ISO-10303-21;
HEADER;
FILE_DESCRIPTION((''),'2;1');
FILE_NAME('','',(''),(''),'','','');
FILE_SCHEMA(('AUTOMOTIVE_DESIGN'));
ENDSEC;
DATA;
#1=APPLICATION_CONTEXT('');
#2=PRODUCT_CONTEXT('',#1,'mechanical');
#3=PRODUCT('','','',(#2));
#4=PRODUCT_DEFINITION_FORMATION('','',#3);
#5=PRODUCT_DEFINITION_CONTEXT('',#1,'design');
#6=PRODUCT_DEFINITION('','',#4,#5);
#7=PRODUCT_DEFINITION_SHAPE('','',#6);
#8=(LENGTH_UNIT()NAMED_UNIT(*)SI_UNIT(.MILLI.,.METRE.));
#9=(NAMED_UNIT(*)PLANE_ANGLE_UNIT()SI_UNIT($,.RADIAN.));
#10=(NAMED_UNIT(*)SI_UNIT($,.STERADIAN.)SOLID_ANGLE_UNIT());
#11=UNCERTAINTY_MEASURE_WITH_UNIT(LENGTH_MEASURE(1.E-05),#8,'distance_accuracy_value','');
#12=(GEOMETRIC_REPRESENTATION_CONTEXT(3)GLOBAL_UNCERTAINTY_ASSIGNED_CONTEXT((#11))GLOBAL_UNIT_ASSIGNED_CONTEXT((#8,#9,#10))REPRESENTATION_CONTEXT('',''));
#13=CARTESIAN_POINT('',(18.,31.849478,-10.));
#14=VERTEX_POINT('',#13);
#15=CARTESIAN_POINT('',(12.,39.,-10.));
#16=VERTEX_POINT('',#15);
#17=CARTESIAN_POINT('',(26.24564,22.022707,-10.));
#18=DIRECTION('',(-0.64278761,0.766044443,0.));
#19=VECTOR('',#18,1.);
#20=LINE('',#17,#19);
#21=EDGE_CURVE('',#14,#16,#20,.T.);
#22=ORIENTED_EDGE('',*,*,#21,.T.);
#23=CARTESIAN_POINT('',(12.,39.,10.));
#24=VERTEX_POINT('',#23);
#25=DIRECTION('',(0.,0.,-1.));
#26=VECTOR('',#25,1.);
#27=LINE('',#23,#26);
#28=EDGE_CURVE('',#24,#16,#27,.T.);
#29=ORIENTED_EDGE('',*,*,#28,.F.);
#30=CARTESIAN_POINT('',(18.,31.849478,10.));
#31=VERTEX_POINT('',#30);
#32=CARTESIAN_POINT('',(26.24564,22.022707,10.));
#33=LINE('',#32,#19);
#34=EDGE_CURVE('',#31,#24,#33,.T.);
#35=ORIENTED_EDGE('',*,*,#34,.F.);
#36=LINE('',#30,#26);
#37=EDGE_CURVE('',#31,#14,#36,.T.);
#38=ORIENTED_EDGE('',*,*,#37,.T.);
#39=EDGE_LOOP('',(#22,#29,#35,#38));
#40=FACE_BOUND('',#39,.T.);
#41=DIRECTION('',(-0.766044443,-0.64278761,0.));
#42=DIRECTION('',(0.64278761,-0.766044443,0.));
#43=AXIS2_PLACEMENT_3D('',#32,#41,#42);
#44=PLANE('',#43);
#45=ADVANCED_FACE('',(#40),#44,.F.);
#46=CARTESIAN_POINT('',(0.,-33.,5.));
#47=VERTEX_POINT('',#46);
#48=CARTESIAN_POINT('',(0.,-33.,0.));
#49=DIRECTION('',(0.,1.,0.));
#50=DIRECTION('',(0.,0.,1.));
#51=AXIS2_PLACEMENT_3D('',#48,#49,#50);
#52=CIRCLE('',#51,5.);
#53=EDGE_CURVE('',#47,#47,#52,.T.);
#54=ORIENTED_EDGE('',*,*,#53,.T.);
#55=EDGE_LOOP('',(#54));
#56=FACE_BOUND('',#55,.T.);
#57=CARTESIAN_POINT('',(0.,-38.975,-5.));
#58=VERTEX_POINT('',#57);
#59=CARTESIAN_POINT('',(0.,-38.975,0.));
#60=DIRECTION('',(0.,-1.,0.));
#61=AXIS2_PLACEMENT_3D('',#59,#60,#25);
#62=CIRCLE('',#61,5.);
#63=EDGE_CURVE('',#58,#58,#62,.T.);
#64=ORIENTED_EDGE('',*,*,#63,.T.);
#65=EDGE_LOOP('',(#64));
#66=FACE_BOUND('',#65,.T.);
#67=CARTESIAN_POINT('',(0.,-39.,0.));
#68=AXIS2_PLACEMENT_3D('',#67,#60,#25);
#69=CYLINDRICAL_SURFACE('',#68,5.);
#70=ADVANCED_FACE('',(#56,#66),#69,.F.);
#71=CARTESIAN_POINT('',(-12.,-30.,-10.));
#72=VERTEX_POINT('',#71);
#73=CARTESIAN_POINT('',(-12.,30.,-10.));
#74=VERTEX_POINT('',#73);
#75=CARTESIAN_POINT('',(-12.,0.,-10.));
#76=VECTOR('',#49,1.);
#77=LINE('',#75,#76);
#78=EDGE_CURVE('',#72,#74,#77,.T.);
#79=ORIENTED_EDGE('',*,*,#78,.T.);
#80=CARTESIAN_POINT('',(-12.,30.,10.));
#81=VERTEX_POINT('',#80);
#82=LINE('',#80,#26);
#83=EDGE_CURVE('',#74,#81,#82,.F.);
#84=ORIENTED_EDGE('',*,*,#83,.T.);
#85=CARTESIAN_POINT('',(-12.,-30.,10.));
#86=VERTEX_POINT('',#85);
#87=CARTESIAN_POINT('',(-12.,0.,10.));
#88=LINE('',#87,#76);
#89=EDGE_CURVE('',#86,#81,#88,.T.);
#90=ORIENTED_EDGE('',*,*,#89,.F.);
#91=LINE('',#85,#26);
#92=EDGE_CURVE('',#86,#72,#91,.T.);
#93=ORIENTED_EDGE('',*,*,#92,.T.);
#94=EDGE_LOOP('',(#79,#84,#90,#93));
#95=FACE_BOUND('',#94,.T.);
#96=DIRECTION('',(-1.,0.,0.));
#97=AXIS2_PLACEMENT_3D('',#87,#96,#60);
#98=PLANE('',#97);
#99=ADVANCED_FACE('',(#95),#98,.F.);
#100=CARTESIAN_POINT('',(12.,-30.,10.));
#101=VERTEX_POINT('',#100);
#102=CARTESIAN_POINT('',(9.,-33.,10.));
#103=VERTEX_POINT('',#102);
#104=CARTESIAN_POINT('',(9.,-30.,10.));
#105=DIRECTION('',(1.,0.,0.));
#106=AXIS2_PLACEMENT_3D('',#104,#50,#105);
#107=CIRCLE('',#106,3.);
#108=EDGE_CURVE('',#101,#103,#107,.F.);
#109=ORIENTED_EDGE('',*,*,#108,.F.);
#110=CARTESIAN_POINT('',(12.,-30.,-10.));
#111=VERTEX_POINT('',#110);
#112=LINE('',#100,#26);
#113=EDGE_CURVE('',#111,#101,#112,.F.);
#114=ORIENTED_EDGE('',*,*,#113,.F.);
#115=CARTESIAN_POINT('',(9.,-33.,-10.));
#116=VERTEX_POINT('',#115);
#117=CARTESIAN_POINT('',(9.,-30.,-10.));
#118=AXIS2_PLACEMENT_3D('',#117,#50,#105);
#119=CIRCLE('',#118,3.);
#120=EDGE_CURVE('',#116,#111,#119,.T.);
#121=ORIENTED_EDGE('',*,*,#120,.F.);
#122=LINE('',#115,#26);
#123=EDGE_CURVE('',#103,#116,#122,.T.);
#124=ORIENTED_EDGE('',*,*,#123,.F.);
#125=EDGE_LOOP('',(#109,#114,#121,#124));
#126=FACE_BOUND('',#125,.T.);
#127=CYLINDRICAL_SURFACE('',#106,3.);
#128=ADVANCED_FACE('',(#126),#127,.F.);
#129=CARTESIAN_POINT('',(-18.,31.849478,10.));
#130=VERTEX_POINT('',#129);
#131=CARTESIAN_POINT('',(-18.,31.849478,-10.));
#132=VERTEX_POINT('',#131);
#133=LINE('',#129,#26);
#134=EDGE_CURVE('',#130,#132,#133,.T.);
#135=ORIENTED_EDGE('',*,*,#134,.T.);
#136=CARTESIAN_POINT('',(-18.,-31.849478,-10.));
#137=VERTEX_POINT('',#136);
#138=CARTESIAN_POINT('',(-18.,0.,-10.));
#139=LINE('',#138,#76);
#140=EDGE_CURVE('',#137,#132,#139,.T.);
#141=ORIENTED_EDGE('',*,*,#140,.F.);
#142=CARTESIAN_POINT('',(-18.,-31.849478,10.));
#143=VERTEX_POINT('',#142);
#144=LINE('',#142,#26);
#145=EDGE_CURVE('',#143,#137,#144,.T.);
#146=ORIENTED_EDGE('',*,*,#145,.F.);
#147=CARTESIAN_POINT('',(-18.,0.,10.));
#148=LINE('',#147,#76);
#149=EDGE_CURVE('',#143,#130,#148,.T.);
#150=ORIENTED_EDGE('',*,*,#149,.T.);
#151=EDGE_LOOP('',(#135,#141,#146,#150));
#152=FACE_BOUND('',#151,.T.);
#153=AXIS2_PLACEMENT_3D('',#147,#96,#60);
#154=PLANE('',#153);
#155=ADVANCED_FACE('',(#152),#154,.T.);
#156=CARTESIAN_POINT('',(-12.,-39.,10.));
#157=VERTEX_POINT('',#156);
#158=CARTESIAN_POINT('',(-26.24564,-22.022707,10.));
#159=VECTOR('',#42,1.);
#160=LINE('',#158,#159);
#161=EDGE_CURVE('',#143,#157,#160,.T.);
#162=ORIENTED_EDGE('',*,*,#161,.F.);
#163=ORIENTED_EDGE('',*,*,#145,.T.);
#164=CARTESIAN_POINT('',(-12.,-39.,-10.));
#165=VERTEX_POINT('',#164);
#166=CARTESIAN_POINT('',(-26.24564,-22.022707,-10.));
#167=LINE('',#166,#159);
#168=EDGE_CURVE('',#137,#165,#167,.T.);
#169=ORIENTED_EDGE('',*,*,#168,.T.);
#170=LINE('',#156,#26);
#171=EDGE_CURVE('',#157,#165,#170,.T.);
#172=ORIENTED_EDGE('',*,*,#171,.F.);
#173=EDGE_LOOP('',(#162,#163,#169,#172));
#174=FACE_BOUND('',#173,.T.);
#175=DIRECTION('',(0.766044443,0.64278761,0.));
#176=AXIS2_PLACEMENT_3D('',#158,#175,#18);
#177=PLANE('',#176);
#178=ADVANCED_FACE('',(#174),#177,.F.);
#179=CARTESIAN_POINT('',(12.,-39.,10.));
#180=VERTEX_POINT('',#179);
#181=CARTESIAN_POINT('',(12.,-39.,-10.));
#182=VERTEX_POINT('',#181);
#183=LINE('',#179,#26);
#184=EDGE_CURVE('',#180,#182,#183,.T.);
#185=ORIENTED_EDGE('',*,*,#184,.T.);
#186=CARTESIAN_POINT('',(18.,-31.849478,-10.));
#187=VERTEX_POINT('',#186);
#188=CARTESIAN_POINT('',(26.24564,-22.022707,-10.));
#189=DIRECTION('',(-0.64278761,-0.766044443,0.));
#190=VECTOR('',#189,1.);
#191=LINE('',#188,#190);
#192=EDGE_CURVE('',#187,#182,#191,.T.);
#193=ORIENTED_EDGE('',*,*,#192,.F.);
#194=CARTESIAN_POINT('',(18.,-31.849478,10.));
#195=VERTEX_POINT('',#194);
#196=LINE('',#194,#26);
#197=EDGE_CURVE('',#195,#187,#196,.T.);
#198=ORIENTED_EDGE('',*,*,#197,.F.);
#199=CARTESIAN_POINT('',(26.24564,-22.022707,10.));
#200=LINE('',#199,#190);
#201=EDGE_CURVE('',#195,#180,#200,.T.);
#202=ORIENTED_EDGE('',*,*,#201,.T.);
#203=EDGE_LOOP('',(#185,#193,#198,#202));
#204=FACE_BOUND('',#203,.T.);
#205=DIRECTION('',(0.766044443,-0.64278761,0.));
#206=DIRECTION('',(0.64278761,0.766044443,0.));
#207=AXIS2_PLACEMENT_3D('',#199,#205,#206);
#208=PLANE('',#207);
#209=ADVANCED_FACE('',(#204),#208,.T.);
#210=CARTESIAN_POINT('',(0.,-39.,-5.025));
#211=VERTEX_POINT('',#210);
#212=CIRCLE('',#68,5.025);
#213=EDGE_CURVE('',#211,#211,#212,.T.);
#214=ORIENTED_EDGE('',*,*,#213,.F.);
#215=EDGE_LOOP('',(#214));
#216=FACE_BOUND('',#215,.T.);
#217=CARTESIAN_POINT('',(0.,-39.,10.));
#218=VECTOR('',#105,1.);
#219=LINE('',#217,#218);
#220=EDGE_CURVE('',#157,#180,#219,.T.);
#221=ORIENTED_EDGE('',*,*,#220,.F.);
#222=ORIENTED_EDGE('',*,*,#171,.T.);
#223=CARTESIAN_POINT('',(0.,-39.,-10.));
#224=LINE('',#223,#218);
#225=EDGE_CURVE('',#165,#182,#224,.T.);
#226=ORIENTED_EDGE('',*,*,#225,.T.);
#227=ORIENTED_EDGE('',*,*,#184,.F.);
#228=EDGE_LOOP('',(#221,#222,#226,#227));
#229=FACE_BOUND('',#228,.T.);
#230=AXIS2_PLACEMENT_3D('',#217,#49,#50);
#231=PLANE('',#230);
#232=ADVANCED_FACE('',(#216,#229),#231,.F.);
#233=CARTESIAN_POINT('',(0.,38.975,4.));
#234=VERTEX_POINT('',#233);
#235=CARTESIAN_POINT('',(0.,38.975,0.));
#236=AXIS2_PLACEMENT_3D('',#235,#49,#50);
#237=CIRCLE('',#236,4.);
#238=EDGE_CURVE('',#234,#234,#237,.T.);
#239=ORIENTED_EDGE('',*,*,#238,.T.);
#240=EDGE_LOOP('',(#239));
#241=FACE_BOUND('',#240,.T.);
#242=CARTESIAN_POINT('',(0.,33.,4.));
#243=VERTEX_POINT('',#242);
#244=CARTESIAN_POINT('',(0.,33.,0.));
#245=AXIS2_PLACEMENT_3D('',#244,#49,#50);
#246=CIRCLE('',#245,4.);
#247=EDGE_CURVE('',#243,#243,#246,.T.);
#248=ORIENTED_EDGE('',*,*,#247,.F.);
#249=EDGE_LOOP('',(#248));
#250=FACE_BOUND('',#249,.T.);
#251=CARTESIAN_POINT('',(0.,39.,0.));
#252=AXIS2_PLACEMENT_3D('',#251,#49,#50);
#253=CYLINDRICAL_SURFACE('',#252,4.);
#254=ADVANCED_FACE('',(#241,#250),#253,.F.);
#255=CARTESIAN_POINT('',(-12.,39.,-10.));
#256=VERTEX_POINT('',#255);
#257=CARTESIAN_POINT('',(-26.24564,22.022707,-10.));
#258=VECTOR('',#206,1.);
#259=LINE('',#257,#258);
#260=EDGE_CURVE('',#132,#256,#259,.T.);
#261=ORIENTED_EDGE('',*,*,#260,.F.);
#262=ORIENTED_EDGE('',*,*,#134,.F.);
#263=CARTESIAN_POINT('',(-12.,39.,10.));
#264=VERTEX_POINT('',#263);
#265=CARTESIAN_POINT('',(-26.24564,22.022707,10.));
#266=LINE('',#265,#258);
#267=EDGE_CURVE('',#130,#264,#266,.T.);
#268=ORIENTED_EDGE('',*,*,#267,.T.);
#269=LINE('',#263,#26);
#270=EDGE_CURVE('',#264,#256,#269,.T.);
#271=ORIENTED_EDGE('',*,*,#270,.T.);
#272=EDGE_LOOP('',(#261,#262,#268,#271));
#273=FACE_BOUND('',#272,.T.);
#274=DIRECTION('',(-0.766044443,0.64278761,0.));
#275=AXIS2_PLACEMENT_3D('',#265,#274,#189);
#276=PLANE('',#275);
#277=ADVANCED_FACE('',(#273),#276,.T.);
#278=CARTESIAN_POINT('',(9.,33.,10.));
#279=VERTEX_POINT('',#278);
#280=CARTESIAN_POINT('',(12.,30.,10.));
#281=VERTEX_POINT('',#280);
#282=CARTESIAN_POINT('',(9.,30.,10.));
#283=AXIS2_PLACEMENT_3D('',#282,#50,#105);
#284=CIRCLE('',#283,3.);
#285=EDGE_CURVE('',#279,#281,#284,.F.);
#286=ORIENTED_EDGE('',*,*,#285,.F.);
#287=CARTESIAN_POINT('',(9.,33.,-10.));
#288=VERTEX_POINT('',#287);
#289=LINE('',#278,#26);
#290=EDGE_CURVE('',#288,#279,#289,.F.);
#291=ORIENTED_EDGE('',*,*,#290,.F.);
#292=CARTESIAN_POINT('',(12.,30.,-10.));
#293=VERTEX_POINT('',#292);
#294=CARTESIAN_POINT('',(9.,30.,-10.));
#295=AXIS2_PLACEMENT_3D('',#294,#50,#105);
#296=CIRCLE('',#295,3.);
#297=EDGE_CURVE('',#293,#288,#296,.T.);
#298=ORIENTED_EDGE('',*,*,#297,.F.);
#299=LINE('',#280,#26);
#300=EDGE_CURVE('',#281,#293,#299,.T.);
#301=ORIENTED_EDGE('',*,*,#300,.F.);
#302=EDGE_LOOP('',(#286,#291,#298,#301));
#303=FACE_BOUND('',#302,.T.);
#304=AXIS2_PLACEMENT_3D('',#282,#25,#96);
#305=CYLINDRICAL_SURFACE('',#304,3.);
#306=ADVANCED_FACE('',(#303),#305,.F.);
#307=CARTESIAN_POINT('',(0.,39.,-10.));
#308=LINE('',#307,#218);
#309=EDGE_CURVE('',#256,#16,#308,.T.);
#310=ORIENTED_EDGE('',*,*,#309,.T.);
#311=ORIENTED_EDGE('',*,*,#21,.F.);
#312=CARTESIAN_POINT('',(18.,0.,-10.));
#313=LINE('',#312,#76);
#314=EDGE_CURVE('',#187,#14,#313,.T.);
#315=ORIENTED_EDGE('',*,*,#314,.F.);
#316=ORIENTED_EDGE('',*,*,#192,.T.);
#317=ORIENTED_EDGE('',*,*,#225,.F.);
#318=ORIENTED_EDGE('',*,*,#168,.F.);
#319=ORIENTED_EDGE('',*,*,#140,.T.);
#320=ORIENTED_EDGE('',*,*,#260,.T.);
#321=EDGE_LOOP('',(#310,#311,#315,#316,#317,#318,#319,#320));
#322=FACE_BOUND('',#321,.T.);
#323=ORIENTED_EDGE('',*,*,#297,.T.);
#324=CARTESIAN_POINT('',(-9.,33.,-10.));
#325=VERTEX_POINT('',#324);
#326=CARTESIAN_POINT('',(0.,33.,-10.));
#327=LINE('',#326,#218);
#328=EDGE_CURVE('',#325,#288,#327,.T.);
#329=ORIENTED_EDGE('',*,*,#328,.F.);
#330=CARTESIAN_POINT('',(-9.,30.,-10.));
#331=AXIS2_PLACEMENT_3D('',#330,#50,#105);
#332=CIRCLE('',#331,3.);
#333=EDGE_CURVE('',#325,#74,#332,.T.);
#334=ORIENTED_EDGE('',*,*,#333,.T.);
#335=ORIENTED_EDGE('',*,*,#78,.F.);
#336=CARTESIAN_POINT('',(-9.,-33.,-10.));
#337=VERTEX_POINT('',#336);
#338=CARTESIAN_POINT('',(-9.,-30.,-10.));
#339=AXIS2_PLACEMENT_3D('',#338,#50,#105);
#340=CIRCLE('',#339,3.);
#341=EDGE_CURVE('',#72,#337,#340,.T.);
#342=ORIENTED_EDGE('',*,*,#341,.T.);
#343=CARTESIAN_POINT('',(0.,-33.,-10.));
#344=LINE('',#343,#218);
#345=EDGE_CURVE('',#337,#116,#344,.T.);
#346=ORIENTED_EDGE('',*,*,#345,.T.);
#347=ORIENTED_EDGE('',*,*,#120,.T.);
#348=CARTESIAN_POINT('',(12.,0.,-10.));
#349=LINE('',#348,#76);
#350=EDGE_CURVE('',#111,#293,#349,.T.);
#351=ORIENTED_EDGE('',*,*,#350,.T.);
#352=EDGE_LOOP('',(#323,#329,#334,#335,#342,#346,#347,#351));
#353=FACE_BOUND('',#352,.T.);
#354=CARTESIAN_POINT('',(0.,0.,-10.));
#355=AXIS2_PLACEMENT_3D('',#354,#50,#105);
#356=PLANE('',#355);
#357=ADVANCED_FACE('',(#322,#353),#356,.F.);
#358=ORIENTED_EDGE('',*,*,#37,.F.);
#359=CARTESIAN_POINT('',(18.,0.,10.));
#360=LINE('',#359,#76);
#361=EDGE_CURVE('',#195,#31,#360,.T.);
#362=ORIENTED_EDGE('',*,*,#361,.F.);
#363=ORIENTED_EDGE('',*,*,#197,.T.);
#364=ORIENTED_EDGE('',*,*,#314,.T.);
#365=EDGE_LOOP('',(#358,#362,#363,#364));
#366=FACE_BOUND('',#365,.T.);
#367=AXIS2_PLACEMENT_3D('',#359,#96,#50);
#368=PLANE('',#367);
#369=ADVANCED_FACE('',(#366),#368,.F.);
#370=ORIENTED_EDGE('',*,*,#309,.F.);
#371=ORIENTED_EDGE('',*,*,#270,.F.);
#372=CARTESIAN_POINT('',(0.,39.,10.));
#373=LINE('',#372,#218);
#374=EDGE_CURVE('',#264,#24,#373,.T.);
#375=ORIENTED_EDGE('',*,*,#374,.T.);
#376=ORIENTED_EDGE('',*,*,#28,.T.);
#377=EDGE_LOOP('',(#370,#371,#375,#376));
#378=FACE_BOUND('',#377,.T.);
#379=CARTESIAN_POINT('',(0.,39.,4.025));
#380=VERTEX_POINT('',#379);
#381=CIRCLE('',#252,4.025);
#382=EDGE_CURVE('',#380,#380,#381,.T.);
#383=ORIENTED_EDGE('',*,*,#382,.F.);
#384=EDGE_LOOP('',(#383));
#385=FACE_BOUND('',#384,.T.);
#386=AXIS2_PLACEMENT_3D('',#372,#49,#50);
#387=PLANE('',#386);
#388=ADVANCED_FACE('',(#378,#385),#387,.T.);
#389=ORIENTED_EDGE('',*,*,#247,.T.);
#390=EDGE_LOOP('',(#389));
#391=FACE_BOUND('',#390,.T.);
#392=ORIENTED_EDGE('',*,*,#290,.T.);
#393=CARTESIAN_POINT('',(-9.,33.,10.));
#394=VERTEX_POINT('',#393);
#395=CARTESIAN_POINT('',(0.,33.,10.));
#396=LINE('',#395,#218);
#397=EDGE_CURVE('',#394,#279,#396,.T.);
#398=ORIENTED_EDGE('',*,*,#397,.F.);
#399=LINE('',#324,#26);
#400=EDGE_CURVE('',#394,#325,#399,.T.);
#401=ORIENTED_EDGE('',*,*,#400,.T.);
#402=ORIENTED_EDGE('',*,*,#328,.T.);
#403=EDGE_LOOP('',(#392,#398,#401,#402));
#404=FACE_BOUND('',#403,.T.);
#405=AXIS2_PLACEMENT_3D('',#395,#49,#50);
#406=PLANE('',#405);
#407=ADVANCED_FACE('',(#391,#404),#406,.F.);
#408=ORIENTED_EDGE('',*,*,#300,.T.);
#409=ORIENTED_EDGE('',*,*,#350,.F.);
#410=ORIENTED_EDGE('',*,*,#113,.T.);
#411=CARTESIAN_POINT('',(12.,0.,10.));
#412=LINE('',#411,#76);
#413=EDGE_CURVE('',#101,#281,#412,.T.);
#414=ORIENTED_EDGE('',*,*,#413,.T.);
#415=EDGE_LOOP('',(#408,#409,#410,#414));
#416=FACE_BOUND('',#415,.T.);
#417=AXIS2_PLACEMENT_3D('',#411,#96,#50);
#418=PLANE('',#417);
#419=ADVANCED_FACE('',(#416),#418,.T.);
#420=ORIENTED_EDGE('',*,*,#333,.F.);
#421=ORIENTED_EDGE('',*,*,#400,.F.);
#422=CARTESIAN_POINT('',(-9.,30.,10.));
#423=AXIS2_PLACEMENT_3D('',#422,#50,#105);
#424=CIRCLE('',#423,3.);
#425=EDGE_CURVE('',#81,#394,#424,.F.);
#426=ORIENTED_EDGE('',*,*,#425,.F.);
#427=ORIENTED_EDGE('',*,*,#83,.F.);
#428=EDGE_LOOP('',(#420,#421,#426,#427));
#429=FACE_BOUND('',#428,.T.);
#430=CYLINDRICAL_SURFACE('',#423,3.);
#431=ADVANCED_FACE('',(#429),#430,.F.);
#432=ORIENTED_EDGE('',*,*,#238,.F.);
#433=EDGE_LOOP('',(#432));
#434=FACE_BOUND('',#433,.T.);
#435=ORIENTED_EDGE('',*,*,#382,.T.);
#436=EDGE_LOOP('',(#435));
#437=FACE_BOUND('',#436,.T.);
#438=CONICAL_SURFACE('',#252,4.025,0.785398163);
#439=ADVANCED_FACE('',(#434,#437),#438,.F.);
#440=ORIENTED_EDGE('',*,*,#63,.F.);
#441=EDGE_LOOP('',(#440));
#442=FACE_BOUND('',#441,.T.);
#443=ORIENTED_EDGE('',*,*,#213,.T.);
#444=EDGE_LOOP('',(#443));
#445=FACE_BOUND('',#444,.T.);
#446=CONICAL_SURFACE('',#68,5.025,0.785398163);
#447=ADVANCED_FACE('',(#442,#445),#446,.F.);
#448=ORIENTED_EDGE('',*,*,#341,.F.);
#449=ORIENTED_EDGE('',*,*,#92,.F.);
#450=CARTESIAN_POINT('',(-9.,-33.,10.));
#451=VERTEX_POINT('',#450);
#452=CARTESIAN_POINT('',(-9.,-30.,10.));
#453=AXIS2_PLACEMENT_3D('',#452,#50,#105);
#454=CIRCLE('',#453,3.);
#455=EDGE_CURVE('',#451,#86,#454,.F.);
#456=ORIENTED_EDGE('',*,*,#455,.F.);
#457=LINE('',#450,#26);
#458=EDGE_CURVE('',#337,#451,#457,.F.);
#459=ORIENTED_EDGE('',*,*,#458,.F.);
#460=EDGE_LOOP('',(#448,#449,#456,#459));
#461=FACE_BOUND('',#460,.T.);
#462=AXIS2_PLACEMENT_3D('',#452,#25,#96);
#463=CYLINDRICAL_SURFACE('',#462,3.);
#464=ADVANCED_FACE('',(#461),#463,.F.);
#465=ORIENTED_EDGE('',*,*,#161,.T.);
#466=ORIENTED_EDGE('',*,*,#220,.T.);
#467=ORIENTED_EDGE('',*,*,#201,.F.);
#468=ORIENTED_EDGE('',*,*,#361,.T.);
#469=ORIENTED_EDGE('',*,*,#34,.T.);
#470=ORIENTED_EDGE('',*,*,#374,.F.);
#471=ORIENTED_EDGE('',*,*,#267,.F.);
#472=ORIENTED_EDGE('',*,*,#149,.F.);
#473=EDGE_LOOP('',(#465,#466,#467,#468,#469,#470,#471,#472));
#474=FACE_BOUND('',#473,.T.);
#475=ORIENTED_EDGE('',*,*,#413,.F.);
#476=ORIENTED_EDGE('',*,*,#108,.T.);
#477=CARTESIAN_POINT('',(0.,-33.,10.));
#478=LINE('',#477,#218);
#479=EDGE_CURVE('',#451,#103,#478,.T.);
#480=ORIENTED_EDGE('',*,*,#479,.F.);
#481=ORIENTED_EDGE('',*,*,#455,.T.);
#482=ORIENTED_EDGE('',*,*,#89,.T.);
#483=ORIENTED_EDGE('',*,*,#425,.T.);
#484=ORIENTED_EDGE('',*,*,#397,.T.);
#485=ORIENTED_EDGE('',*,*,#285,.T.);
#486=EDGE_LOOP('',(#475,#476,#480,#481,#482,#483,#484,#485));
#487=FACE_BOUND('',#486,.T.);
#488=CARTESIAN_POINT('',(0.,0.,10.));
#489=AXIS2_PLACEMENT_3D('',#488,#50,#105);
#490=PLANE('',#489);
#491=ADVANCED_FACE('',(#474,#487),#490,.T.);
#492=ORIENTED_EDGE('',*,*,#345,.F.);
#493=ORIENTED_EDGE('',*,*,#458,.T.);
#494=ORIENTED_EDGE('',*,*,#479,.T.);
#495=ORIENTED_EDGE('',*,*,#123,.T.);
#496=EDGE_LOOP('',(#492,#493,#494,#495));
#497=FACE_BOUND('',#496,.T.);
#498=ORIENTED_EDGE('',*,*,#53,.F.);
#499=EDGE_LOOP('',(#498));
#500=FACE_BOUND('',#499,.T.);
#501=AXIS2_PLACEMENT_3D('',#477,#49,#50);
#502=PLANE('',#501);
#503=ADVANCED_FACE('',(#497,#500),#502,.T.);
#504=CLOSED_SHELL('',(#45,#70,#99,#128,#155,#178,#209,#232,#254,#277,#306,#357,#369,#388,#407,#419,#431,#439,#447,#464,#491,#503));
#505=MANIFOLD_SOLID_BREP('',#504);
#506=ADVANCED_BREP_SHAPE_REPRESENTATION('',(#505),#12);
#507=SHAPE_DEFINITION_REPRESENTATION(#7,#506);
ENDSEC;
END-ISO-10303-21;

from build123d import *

# Parameters (mm, degrees)
SKETCH1_W                        = 24
SKETCH1_H                        = 66
BOSS_EXTRUDE1_DEPTH              = 10
F_8_0MM_DOWEL_HOLE1_D            = 8
F_8_0MM_DOWEL_HOLE1_DEPTH        = 24.5
F_8_0MM_DOWEL_HOLE1_CSINK_D      = 8.05
F_8_0MM_DOWEL_HOLE1_CSINK_ANGLE  = 90
F_8_0MM_DOWEL_HOLE1_TIP          = 2.403442476
F_10_0MM_DOWEL_HOLE2_D           = 10
F_10_0MM_DOWEL_HOLE2_DEPTH       = 24.5
F_10_0MM_DOWEL_HOLE2_CSINK_D     = 10.05
F_10_0MM_DOWEL_HOLE2_CSINK_ANGLE = 90
F_10_0MM_DOWEL_HOLE2_TIP         = 3.004303095
FILLET1_R                        = 3


with BuildPart() as part:
    # Sketch1 → Boss-Extrude1 (new, symmetric)
    with BuildSketch(Plane.XY):
        Polygon((-18, -31.849478444), (-18, 31.849478444), (-12, 39), (12, 39), (18, 31.849478444), (18, -31.849478444), (12, -39), (-12, -39), align=None)
        Rectangle(SKETCH1_W, SKETCH1_H, mode=Mode.SUBTRACT)
    extrude(amount=BOSS_EXTRUDE1_DEPTH, both=True)

    # Ø8.0mm Dowel Hole1
    with Locations(Plane.ZX.offset(39)):
        with Locations((0, 0)):
            CounterSinkHole(F_8_0MM_DOWEL_HOLE1_D / 2, F_8_0MM_DOWEL_HOLE1_CSINK_D / 2, depth=F_8_0MM_DOWEL_HOLE1_DEPTH, counter_sink_angle=F_8_0MM_DOWEL_HOLE1_CSINK_ANGLE)
            with Locations((0, 0, -(F_8_0MM_DOWEL_HOLE1_DEPTH + F_8_0MM_DOWEL_HOLE1_TIP / 2))):  # 118° drill point
                Cone(0, F_8_0MM_DOWEL_HOLE1_D / 2, F_8_0MM_DOWEL_HOLE1_TIP, mode=Mode.SUBTRACT)

    # Ø10.0mm Dowel Hole2
    with Locations(Plane(origin=(0, -39, 0), x_dir=(0, 0, -1), z_dir=(0, -1, 0))):
        with Locations((0, 0)):
            CounterSinkHole(F_10_0MM_DOWEL_HOLE2_D / 2, F_10_0MM_DOWEL_HOLE2_CSINK_D / 2, depth=F_10_0MM_DOWEL_HOLE2_DEPTH, counter_sink_angle=F_10_0MM_DOWEL_HOLE2_CSINK_ANGLE)
            with Locations((0, 0, -(F_10_0MM_DOWEL_HOLE2_DEPTH + F_10_0MM_DOWEL_HOLE2_TIP / 2))):  # 118° drill point
                Cone(0, F_10_0MM_DOWEL_HOLE2_D / 2, F_10_0MM_DOWEL_HOLE2_TIP, mode=Mode.SUBTRACT)

    # Fillet1
    fillet1_edges = [part.edges().sort_by_distance(p)[0] for p in [
        (12, -33, 0),
        (12, 33, 0),
        (-12, 33, 0),
        (-12, -33, 0),
    ]]
    fillet(fillet1_edges, radius=FILLET1_R)


solid = part.part
